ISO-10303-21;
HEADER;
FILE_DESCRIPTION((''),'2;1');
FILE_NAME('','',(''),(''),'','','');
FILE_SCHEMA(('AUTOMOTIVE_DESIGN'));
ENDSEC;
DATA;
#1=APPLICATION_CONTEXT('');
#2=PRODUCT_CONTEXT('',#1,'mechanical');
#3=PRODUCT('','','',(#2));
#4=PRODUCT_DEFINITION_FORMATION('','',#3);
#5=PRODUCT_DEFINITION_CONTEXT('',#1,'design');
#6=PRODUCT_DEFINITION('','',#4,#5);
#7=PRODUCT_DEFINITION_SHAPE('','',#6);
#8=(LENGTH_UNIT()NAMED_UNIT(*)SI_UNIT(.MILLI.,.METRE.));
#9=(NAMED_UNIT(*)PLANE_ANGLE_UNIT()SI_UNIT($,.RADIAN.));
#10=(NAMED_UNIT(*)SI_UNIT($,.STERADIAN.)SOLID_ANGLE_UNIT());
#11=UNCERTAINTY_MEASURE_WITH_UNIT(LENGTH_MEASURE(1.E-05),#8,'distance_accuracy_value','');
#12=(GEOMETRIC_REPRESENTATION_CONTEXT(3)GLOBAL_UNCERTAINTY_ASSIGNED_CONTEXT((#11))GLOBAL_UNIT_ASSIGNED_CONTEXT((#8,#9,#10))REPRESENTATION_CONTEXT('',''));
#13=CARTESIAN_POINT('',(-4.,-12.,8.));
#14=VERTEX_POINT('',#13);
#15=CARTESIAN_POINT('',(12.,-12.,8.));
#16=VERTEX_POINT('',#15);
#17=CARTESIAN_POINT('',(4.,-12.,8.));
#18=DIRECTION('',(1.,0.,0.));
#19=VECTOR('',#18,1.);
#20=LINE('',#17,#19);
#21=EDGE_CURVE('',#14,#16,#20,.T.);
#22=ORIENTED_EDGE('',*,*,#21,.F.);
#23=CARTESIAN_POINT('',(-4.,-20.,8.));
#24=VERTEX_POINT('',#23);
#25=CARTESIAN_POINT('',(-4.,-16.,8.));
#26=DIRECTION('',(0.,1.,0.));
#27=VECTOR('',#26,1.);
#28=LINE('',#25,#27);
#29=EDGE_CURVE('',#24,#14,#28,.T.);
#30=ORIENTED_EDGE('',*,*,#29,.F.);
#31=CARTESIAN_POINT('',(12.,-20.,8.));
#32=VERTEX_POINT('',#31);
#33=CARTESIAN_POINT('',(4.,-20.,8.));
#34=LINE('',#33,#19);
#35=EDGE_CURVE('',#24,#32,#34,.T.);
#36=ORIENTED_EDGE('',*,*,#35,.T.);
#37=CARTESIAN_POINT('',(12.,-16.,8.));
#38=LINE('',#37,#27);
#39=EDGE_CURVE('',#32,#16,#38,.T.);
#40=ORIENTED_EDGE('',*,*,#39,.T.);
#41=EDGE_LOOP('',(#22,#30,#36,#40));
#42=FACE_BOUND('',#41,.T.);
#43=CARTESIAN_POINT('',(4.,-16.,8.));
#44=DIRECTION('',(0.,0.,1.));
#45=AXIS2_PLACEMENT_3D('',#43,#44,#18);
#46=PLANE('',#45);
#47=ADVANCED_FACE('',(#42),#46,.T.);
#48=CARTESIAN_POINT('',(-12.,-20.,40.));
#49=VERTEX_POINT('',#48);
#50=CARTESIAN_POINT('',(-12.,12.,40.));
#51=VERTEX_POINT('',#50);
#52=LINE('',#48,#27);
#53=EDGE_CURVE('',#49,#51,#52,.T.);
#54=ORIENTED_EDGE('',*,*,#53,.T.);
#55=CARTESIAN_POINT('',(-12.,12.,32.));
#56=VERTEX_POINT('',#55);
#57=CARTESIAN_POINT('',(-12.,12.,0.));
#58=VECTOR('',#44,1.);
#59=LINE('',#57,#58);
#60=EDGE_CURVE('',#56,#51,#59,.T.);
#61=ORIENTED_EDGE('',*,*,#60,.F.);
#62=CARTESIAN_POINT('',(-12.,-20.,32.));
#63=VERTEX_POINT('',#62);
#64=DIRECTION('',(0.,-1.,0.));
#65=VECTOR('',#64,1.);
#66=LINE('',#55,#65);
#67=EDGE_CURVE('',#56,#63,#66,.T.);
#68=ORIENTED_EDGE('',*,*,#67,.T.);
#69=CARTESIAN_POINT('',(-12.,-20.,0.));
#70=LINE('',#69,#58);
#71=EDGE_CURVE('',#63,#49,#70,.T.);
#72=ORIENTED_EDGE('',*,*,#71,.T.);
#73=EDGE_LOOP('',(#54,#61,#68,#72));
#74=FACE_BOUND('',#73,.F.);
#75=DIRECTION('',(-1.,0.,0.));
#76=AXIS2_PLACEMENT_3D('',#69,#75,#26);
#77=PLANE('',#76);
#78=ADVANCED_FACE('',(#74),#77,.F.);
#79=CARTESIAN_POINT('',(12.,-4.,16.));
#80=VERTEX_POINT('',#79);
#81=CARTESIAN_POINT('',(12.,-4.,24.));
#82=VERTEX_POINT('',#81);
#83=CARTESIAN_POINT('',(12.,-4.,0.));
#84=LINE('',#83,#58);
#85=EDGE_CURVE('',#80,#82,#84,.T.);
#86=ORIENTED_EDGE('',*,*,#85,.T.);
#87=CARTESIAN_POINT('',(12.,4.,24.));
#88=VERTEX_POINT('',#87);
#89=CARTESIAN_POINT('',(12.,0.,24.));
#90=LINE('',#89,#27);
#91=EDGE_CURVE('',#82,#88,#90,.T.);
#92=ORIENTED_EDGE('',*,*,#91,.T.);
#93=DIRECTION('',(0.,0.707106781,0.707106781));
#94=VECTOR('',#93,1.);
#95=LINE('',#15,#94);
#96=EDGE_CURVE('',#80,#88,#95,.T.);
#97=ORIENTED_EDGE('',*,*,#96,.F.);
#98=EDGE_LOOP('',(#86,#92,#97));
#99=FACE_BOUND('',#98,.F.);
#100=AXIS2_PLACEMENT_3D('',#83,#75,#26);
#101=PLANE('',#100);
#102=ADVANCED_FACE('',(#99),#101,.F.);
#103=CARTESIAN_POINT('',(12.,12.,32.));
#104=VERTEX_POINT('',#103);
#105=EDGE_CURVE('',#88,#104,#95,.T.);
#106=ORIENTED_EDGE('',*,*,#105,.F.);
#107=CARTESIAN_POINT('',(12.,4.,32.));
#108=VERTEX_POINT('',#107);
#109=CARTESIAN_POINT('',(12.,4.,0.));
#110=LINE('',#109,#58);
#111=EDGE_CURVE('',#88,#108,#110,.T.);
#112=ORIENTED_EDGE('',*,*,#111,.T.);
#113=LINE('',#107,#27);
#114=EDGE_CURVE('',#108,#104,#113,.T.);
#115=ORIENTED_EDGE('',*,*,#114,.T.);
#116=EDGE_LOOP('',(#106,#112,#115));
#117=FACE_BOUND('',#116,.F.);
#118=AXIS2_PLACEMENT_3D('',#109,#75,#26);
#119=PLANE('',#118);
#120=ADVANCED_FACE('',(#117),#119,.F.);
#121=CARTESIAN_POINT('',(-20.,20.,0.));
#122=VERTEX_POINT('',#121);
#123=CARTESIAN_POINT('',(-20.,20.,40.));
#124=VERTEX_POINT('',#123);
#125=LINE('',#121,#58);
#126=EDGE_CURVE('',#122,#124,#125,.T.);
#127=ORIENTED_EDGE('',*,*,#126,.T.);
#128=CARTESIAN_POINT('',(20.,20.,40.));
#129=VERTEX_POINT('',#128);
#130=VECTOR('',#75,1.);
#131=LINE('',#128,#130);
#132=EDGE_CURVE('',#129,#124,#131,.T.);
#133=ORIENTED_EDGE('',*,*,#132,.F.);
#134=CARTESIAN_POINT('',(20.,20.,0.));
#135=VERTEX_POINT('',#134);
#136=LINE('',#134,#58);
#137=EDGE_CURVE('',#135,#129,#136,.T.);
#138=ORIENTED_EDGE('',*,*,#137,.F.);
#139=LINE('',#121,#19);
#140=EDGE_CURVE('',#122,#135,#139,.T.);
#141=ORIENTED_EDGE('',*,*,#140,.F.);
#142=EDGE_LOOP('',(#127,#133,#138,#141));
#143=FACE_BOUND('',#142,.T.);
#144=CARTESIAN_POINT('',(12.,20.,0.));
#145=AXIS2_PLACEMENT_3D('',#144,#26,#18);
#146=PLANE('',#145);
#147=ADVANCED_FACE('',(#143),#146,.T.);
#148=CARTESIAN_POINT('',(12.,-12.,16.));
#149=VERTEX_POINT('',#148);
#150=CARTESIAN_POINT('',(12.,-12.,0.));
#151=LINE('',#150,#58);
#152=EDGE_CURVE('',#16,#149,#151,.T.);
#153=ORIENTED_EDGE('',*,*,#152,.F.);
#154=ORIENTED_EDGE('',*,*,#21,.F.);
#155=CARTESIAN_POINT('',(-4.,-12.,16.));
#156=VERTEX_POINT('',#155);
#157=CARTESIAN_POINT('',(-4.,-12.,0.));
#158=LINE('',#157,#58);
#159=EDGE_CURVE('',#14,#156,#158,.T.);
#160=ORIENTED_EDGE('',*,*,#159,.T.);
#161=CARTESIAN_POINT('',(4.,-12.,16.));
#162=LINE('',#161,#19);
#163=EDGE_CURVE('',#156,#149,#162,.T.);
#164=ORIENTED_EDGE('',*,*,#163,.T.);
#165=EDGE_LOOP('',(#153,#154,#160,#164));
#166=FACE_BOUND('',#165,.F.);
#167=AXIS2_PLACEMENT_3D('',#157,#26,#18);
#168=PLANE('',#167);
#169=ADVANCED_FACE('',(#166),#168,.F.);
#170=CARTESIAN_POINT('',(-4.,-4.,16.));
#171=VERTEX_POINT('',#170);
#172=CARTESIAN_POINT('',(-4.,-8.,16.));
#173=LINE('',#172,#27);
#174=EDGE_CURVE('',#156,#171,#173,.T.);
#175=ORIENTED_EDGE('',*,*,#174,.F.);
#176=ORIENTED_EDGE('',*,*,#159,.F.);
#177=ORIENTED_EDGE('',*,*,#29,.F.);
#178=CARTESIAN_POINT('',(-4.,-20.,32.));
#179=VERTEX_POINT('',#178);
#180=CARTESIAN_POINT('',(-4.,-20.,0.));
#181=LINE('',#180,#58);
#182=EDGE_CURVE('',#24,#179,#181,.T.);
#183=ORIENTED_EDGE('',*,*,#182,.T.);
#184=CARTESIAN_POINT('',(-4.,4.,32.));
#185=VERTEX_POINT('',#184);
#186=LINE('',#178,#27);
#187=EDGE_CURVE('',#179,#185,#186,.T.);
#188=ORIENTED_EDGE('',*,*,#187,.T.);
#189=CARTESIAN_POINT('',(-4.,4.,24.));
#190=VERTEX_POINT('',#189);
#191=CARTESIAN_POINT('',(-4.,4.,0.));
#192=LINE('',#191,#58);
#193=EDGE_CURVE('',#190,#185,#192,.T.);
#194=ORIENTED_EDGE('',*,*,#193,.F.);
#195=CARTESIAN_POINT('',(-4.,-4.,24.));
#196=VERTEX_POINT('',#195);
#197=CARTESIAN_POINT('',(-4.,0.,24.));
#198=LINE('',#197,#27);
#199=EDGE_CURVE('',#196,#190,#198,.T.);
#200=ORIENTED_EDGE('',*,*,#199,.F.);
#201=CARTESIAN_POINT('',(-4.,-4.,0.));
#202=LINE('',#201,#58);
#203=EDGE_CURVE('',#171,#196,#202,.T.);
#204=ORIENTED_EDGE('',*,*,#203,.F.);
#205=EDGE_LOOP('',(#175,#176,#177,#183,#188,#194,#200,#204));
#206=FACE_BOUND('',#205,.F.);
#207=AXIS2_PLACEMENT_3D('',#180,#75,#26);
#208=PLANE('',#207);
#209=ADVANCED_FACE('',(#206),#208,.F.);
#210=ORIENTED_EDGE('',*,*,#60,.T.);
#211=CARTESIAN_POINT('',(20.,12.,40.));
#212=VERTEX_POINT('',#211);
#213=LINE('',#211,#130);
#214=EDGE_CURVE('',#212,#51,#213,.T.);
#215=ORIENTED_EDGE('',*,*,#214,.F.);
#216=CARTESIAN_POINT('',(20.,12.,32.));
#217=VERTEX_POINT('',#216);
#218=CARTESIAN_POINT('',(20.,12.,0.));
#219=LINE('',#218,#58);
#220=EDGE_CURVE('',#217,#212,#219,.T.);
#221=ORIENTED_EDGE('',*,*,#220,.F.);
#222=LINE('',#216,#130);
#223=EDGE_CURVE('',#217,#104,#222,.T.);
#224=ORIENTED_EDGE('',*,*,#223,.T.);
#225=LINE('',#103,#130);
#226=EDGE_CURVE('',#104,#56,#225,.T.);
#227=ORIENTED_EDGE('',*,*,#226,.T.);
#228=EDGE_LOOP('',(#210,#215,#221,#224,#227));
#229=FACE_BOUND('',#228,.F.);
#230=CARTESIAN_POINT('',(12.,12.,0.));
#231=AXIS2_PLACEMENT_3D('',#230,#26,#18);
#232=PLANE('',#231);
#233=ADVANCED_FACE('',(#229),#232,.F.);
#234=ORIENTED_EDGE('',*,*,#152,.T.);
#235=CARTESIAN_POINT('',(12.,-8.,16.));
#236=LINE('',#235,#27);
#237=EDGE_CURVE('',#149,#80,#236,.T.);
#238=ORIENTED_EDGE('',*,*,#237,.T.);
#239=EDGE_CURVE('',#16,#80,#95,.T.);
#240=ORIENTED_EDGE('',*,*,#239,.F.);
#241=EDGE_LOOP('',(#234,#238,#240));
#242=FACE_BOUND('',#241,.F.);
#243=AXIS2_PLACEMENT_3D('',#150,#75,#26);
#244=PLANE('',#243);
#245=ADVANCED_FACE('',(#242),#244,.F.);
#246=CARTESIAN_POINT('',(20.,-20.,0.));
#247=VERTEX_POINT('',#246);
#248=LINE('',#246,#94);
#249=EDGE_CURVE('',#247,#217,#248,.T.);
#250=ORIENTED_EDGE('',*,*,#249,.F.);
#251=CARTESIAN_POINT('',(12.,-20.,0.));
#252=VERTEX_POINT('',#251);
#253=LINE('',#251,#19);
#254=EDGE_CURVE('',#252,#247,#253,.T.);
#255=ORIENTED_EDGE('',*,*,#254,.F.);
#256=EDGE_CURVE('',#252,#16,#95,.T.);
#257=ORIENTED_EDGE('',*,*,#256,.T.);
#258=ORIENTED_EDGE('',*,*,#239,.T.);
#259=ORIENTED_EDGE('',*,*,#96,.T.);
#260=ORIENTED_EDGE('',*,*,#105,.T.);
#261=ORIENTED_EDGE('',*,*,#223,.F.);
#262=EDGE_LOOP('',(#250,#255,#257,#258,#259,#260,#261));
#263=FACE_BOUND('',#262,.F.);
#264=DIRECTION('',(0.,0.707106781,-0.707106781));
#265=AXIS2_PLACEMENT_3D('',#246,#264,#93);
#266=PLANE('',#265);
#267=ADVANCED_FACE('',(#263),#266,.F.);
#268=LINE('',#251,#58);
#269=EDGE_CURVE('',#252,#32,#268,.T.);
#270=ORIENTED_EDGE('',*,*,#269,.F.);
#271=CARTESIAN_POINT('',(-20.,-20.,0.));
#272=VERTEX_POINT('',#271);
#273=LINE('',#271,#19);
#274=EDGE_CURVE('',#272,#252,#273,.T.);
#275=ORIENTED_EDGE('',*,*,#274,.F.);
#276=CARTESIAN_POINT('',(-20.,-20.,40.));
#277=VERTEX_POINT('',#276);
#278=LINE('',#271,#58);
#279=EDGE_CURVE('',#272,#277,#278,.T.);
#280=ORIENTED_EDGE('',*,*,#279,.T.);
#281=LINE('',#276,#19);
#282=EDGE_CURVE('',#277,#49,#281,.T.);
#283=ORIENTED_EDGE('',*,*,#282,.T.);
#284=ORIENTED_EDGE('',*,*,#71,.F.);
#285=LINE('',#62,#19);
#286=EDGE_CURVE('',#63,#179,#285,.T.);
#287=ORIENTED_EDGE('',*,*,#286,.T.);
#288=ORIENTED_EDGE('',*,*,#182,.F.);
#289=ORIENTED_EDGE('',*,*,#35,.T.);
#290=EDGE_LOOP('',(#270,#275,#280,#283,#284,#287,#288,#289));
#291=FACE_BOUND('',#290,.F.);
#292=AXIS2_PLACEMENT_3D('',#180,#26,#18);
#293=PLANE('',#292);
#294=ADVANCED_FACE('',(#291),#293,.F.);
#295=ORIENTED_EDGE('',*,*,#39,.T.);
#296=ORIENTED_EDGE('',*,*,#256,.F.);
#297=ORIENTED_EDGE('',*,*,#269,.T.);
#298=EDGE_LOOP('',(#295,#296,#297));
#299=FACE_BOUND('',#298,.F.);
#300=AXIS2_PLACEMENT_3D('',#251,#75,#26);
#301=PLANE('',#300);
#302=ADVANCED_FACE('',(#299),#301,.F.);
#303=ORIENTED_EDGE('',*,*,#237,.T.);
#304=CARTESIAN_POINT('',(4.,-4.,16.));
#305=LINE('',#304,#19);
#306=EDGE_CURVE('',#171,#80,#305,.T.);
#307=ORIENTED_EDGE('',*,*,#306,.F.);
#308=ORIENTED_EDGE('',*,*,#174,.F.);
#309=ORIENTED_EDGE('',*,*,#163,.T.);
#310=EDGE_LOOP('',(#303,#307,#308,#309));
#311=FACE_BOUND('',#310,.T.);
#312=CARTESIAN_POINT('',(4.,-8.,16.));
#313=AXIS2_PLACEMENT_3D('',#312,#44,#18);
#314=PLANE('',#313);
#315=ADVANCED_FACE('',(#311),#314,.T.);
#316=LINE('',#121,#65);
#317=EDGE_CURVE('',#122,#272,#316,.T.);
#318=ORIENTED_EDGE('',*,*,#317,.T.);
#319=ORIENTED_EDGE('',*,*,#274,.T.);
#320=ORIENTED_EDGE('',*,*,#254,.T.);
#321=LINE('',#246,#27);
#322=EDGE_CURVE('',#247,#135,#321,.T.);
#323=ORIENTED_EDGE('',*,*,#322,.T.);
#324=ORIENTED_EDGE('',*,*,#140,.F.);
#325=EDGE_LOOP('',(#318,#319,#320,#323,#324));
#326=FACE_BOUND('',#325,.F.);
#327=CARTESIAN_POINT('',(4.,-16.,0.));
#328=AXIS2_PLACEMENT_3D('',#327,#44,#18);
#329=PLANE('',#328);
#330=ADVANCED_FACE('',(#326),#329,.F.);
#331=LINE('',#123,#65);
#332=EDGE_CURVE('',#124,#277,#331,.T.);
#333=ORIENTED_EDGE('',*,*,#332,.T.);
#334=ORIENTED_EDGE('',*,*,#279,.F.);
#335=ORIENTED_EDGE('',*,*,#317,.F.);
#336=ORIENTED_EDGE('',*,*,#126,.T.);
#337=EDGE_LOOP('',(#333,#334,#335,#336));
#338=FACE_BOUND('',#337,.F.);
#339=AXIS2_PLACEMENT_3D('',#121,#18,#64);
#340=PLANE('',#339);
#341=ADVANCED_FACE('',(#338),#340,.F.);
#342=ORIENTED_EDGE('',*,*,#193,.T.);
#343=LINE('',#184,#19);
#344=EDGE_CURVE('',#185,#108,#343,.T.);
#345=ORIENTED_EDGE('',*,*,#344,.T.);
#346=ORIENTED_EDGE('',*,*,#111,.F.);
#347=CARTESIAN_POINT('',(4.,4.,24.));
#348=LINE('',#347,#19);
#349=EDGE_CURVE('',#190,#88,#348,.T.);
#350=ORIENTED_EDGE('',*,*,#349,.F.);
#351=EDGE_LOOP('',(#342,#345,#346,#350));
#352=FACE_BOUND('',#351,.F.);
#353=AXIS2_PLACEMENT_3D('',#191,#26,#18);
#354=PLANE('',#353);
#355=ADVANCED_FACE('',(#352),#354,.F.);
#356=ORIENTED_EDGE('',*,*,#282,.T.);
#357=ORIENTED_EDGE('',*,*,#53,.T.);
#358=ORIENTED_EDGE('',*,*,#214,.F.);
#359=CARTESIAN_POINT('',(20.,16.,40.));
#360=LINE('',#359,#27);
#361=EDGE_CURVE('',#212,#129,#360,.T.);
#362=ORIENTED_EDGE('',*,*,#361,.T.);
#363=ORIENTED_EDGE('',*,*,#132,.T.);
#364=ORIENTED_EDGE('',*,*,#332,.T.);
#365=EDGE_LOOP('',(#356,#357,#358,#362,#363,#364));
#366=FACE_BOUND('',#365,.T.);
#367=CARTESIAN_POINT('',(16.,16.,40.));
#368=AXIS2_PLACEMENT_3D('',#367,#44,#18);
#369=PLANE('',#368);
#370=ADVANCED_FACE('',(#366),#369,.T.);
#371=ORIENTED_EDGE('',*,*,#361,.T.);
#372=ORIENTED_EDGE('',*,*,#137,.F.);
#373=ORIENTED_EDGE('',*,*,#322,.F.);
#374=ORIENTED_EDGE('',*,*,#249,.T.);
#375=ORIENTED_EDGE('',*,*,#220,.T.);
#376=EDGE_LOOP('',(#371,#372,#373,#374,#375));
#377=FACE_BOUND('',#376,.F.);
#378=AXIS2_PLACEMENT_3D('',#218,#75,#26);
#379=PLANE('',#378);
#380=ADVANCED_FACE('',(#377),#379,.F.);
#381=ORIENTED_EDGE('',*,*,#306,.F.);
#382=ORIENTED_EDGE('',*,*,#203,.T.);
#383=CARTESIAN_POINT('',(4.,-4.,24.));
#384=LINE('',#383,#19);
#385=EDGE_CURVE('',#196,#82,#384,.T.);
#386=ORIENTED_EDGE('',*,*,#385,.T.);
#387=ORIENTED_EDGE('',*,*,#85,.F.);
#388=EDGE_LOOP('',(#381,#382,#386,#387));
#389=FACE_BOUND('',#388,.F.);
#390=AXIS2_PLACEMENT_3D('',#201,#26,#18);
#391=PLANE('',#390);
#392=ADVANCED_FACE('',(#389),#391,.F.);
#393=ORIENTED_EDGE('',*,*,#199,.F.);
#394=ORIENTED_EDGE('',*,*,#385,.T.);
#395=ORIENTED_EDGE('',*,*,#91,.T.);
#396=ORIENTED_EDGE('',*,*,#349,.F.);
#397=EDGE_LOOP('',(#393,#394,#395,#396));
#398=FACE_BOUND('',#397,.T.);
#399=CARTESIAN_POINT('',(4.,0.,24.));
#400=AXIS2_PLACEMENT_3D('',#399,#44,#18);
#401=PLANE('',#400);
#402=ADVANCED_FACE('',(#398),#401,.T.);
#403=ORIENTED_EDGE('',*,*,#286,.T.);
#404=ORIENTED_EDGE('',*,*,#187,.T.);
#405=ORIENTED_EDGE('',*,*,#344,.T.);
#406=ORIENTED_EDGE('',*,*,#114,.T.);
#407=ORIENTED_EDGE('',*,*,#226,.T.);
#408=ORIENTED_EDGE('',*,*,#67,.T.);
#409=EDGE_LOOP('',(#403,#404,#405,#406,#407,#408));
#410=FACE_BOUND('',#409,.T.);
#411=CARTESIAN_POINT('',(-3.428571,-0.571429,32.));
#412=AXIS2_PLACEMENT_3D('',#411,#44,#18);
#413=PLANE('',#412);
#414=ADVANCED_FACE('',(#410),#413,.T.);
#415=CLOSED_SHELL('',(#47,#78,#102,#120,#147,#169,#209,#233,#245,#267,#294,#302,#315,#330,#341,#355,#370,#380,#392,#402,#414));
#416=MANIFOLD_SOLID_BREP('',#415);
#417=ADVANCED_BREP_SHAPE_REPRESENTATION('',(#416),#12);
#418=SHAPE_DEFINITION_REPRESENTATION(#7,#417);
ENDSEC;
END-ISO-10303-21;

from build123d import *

# Parameters (mm, degrees)
F1_DEPTH = 32
F3_DEPTH = 25
F4_DEPTH = 40
F0_W     = 8
F0_H     = 8
F5_DEPTH = 40
F6_DEPTH = 32
F0_W_2   = 16
F7_DEPTH = 24
F8_DEPTH = 16
F9_DEPTH = 8


with BuildPart() as f1:
    # F0 (on Top) → F1 (new body)
    with BuildSketch(Plane.XY):
        Polygon((20, 12), (12, 12), (12, 4), (12, -4), (12, -12), (12, -20), (20, -20), align=None)
    extrude(amount=F1_DEPTH)

    # F2 (on face) → F3 (cut)
    with BuildSketch(Plane.YZ.offset(20)):
        Polygon((-20, 0), (12, 32), (-20, 32), align=None)
    extrude(amount=-F3_DEPTH, mode=Mode.SUBTRACT)

    # F0 (on Top) → F4 (join)
    with BuildSketch(Plane.XY):
        Polygon((12, 20), (-20, 20), (-20, -20), (-12, -20), (-12, 12), (12, 12), align=None)
    extrude(amount=F4_DEPTH)

    # F0 (on Top) → F5 (join)
    with BuildSketch(Plane.XY):
        with Locations((16, 16)):
            Rectangle(F0_W, F0_H)
    extrude(amount=F5_DEPTH)

    # F0 (on Top) → F6 (join)
    with BuildSketch(Plane.XY):
        Polygon((12, 4), (12, 12), (-12, 12), (-12, -20), (-4, -20), (-4, -12), (-4, -4), (-4, 4), align=None)
    extrude(amount=F6_DEPTH)

    # F0 (on Top) → F7 (join)
    with BuildSketch(Plane.XY):
        with Locations((4, 0)):
            Rectangle(F0_W_2, F0_H)
    extrude(amount=F7_DEPTH)

    # F0 (on Top) → F8 (join)
    with BuildSketch(Plane.XY):
        with Locations((4, -8)):
            Rectangle(F0_W_2, F0_H)
    extrude(amount=F8_DEPTH)

    # F0 (on Top) → F9 (join)
    with BuildSketch(Plane.XY):
        with Locations((4, -16)):
            Rectangle(F0_W_2, F0_H)
    extrude(amount=F9_DEPTH)


solid = f1.part
